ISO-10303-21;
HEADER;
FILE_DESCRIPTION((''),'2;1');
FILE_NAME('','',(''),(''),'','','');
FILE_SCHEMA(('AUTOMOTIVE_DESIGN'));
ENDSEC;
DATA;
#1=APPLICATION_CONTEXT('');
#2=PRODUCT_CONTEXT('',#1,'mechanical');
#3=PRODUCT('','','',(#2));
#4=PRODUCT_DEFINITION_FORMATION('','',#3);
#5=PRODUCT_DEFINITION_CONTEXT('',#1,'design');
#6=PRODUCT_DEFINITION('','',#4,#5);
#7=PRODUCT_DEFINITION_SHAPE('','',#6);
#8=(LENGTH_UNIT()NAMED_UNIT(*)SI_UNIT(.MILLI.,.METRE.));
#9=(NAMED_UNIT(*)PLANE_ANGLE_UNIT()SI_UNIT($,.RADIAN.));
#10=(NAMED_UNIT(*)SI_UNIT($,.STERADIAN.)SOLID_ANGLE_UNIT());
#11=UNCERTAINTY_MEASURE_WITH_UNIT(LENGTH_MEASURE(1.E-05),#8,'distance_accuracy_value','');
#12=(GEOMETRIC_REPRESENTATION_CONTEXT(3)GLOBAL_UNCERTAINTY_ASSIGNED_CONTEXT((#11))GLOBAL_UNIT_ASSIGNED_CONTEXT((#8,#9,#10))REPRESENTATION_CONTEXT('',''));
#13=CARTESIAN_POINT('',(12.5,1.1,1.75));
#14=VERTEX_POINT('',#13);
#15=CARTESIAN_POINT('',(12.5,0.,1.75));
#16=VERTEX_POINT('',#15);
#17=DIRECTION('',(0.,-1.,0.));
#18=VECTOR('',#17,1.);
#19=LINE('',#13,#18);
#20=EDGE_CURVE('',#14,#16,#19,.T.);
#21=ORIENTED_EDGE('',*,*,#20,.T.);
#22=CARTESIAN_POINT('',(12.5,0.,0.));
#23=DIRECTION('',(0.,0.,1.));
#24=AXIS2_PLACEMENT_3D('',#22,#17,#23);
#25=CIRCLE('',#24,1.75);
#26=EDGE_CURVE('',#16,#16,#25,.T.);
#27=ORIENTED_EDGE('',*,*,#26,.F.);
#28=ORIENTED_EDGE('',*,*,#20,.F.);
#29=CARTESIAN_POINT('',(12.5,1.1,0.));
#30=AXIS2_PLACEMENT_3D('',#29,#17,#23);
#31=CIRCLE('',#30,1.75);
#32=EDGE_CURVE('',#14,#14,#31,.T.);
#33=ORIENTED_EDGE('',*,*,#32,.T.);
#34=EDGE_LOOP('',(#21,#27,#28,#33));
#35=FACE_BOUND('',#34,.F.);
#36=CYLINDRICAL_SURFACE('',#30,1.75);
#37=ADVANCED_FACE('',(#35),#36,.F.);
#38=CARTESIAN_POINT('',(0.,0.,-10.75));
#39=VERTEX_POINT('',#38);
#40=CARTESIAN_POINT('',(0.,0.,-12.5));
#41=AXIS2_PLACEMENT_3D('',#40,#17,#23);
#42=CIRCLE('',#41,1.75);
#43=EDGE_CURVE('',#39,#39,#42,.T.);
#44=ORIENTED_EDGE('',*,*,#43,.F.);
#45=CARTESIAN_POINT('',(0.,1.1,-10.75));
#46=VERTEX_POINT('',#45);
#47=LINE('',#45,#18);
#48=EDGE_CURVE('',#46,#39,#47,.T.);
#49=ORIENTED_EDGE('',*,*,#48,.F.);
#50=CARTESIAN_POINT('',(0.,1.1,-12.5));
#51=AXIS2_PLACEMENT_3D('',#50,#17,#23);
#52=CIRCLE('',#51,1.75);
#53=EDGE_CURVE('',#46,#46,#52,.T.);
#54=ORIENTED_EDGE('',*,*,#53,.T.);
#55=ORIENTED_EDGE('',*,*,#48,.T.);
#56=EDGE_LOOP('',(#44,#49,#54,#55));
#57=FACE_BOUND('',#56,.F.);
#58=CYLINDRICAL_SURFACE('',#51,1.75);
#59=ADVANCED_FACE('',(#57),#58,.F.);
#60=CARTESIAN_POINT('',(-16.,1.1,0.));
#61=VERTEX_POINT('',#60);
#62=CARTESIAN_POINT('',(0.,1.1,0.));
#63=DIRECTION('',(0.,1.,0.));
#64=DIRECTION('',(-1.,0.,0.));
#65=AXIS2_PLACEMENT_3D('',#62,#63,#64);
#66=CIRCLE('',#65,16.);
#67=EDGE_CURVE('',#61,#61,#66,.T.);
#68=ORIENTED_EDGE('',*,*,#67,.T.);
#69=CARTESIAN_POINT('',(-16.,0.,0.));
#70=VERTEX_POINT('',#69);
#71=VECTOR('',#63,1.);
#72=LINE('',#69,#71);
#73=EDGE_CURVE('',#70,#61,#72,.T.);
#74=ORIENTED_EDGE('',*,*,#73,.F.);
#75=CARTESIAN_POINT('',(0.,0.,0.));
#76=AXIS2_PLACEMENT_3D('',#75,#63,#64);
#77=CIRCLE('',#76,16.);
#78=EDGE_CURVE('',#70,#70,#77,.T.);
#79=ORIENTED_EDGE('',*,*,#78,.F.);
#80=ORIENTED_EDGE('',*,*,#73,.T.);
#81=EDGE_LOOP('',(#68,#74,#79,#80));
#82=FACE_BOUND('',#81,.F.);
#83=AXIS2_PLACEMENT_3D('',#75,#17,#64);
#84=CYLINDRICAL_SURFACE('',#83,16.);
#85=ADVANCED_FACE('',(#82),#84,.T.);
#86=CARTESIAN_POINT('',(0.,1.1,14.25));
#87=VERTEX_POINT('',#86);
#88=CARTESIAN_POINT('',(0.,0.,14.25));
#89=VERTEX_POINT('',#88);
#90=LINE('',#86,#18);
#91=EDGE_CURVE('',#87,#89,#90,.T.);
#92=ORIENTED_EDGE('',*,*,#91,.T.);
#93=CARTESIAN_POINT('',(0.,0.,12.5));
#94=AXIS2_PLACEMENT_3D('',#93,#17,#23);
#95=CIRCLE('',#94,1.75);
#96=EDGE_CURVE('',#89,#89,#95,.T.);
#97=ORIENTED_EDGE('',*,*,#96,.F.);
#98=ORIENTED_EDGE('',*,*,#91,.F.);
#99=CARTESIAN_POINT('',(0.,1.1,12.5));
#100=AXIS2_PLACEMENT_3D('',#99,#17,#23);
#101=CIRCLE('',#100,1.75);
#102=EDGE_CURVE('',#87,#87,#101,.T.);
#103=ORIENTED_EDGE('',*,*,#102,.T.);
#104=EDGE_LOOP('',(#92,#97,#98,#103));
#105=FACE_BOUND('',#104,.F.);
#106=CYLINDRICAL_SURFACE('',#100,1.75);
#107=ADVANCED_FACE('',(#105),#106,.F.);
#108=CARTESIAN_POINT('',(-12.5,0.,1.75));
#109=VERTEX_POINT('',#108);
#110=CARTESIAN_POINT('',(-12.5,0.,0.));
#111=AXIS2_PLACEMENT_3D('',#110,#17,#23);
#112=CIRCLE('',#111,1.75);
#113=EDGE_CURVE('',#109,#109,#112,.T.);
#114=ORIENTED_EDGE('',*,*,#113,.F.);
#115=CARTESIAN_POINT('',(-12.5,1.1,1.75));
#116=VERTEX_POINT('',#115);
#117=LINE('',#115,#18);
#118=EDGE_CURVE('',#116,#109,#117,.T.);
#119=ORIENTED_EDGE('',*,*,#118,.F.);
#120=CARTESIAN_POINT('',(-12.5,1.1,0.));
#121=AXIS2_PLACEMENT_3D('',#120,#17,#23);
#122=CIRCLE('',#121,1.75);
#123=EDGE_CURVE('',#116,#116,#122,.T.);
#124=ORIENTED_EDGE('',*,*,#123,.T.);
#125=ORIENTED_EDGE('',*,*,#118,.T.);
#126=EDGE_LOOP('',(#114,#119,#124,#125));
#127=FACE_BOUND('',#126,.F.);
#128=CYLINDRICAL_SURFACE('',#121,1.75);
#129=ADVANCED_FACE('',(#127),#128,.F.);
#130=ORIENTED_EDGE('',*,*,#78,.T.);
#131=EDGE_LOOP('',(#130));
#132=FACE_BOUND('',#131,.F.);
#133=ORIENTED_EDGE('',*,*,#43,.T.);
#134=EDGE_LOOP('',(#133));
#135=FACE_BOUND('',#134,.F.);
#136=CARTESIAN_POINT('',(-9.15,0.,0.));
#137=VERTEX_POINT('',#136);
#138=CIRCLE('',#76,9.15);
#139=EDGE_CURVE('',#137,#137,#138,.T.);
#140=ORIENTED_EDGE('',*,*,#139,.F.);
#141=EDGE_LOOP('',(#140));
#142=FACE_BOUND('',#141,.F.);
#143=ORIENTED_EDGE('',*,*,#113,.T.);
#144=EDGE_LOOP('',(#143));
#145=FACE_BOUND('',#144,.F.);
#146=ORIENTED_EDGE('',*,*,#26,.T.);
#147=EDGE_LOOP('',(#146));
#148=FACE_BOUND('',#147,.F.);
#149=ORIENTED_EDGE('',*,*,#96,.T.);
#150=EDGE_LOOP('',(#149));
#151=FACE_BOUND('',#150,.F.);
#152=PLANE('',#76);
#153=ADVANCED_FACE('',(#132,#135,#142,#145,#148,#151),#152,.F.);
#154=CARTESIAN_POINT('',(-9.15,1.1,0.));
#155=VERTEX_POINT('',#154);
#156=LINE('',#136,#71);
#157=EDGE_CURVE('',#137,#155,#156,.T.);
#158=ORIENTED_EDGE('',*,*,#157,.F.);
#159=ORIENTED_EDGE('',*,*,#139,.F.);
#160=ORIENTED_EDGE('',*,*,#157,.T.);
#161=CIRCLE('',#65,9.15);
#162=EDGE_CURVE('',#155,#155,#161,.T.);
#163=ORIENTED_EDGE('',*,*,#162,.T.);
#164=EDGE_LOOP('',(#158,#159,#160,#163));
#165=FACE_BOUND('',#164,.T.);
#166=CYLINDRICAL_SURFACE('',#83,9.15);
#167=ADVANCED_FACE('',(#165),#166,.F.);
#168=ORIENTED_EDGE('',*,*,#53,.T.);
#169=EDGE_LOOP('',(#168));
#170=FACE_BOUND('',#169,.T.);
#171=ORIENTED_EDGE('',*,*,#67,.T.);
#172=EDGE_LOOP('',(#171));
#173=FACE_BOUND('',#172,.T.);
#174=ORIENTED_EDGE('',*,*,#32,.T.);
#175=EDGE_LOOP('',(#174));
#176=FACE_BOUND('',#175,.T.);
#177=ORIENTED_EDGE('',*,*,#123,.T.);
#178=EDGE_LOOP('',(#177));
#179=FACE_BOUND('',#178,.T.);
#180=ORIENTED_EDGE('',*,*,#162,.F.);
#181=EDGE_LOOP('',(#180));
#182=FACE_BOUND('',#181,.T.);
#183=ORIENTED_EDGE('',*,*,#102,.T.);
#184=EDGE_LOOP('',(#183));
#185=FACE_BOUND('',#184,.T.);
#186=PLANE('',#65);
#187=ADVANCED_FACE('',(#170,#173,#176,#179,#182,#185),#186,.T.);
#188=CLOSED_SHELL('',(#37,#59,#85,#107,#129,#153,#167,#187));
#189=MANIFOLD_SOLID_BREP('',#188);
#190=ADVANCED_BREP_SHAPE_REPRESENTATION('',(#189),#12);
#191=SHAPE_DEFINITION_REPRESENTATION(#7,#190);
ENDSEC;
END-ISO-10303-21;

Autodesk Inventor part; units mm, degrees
ref_plane "YZ Plane" through (0, 0, 0) normal (1, 0, 0) x (0, 1, 0)
ref_plane "XZ Plane" through (0, 0, 0) normal (0, 1, 0) x (-1, 0, 0)
ref_plane "XY Plane" through (0, 0, 0) normal (0, 0, 1) x (1, 0, 0)
sketch "スケッチ1" plane through (0, 0, 0) normal (0, 1, 0) x (-1, 0, 0)
  circle A0 centre (0, 0) radius 9.15
  circle A1 centre (0, 0) radius 16
  dimension "d0" = 18.3
  dimension "d1" = 32
extrude "押し出し1" add sketch "スケッチ1" along normal blind 1.1
sketch "スケッチ2" plane through (0, 1.1, 0) normal (0, 1, 0) x (1, 0, 0)
  circle A0 centre (0, 0) radius 12.5 construction
  point P0 (-12.5, 0)
  point P1 (0, 12.5)
  point P2 (12.5, 0)
  point P3 (0, -12.5)
  dimension "d4" = 25
hole "穴1" at (-12.5, 1.1, 0) at (0, 1.1, -12.5) at (12.5, 1.1, 0) at (0, 1.1, 12.5) direction (0, -1, 0) diameter 3.5 end through all
properties part number "shoulder2_shaftholder_spacer"
